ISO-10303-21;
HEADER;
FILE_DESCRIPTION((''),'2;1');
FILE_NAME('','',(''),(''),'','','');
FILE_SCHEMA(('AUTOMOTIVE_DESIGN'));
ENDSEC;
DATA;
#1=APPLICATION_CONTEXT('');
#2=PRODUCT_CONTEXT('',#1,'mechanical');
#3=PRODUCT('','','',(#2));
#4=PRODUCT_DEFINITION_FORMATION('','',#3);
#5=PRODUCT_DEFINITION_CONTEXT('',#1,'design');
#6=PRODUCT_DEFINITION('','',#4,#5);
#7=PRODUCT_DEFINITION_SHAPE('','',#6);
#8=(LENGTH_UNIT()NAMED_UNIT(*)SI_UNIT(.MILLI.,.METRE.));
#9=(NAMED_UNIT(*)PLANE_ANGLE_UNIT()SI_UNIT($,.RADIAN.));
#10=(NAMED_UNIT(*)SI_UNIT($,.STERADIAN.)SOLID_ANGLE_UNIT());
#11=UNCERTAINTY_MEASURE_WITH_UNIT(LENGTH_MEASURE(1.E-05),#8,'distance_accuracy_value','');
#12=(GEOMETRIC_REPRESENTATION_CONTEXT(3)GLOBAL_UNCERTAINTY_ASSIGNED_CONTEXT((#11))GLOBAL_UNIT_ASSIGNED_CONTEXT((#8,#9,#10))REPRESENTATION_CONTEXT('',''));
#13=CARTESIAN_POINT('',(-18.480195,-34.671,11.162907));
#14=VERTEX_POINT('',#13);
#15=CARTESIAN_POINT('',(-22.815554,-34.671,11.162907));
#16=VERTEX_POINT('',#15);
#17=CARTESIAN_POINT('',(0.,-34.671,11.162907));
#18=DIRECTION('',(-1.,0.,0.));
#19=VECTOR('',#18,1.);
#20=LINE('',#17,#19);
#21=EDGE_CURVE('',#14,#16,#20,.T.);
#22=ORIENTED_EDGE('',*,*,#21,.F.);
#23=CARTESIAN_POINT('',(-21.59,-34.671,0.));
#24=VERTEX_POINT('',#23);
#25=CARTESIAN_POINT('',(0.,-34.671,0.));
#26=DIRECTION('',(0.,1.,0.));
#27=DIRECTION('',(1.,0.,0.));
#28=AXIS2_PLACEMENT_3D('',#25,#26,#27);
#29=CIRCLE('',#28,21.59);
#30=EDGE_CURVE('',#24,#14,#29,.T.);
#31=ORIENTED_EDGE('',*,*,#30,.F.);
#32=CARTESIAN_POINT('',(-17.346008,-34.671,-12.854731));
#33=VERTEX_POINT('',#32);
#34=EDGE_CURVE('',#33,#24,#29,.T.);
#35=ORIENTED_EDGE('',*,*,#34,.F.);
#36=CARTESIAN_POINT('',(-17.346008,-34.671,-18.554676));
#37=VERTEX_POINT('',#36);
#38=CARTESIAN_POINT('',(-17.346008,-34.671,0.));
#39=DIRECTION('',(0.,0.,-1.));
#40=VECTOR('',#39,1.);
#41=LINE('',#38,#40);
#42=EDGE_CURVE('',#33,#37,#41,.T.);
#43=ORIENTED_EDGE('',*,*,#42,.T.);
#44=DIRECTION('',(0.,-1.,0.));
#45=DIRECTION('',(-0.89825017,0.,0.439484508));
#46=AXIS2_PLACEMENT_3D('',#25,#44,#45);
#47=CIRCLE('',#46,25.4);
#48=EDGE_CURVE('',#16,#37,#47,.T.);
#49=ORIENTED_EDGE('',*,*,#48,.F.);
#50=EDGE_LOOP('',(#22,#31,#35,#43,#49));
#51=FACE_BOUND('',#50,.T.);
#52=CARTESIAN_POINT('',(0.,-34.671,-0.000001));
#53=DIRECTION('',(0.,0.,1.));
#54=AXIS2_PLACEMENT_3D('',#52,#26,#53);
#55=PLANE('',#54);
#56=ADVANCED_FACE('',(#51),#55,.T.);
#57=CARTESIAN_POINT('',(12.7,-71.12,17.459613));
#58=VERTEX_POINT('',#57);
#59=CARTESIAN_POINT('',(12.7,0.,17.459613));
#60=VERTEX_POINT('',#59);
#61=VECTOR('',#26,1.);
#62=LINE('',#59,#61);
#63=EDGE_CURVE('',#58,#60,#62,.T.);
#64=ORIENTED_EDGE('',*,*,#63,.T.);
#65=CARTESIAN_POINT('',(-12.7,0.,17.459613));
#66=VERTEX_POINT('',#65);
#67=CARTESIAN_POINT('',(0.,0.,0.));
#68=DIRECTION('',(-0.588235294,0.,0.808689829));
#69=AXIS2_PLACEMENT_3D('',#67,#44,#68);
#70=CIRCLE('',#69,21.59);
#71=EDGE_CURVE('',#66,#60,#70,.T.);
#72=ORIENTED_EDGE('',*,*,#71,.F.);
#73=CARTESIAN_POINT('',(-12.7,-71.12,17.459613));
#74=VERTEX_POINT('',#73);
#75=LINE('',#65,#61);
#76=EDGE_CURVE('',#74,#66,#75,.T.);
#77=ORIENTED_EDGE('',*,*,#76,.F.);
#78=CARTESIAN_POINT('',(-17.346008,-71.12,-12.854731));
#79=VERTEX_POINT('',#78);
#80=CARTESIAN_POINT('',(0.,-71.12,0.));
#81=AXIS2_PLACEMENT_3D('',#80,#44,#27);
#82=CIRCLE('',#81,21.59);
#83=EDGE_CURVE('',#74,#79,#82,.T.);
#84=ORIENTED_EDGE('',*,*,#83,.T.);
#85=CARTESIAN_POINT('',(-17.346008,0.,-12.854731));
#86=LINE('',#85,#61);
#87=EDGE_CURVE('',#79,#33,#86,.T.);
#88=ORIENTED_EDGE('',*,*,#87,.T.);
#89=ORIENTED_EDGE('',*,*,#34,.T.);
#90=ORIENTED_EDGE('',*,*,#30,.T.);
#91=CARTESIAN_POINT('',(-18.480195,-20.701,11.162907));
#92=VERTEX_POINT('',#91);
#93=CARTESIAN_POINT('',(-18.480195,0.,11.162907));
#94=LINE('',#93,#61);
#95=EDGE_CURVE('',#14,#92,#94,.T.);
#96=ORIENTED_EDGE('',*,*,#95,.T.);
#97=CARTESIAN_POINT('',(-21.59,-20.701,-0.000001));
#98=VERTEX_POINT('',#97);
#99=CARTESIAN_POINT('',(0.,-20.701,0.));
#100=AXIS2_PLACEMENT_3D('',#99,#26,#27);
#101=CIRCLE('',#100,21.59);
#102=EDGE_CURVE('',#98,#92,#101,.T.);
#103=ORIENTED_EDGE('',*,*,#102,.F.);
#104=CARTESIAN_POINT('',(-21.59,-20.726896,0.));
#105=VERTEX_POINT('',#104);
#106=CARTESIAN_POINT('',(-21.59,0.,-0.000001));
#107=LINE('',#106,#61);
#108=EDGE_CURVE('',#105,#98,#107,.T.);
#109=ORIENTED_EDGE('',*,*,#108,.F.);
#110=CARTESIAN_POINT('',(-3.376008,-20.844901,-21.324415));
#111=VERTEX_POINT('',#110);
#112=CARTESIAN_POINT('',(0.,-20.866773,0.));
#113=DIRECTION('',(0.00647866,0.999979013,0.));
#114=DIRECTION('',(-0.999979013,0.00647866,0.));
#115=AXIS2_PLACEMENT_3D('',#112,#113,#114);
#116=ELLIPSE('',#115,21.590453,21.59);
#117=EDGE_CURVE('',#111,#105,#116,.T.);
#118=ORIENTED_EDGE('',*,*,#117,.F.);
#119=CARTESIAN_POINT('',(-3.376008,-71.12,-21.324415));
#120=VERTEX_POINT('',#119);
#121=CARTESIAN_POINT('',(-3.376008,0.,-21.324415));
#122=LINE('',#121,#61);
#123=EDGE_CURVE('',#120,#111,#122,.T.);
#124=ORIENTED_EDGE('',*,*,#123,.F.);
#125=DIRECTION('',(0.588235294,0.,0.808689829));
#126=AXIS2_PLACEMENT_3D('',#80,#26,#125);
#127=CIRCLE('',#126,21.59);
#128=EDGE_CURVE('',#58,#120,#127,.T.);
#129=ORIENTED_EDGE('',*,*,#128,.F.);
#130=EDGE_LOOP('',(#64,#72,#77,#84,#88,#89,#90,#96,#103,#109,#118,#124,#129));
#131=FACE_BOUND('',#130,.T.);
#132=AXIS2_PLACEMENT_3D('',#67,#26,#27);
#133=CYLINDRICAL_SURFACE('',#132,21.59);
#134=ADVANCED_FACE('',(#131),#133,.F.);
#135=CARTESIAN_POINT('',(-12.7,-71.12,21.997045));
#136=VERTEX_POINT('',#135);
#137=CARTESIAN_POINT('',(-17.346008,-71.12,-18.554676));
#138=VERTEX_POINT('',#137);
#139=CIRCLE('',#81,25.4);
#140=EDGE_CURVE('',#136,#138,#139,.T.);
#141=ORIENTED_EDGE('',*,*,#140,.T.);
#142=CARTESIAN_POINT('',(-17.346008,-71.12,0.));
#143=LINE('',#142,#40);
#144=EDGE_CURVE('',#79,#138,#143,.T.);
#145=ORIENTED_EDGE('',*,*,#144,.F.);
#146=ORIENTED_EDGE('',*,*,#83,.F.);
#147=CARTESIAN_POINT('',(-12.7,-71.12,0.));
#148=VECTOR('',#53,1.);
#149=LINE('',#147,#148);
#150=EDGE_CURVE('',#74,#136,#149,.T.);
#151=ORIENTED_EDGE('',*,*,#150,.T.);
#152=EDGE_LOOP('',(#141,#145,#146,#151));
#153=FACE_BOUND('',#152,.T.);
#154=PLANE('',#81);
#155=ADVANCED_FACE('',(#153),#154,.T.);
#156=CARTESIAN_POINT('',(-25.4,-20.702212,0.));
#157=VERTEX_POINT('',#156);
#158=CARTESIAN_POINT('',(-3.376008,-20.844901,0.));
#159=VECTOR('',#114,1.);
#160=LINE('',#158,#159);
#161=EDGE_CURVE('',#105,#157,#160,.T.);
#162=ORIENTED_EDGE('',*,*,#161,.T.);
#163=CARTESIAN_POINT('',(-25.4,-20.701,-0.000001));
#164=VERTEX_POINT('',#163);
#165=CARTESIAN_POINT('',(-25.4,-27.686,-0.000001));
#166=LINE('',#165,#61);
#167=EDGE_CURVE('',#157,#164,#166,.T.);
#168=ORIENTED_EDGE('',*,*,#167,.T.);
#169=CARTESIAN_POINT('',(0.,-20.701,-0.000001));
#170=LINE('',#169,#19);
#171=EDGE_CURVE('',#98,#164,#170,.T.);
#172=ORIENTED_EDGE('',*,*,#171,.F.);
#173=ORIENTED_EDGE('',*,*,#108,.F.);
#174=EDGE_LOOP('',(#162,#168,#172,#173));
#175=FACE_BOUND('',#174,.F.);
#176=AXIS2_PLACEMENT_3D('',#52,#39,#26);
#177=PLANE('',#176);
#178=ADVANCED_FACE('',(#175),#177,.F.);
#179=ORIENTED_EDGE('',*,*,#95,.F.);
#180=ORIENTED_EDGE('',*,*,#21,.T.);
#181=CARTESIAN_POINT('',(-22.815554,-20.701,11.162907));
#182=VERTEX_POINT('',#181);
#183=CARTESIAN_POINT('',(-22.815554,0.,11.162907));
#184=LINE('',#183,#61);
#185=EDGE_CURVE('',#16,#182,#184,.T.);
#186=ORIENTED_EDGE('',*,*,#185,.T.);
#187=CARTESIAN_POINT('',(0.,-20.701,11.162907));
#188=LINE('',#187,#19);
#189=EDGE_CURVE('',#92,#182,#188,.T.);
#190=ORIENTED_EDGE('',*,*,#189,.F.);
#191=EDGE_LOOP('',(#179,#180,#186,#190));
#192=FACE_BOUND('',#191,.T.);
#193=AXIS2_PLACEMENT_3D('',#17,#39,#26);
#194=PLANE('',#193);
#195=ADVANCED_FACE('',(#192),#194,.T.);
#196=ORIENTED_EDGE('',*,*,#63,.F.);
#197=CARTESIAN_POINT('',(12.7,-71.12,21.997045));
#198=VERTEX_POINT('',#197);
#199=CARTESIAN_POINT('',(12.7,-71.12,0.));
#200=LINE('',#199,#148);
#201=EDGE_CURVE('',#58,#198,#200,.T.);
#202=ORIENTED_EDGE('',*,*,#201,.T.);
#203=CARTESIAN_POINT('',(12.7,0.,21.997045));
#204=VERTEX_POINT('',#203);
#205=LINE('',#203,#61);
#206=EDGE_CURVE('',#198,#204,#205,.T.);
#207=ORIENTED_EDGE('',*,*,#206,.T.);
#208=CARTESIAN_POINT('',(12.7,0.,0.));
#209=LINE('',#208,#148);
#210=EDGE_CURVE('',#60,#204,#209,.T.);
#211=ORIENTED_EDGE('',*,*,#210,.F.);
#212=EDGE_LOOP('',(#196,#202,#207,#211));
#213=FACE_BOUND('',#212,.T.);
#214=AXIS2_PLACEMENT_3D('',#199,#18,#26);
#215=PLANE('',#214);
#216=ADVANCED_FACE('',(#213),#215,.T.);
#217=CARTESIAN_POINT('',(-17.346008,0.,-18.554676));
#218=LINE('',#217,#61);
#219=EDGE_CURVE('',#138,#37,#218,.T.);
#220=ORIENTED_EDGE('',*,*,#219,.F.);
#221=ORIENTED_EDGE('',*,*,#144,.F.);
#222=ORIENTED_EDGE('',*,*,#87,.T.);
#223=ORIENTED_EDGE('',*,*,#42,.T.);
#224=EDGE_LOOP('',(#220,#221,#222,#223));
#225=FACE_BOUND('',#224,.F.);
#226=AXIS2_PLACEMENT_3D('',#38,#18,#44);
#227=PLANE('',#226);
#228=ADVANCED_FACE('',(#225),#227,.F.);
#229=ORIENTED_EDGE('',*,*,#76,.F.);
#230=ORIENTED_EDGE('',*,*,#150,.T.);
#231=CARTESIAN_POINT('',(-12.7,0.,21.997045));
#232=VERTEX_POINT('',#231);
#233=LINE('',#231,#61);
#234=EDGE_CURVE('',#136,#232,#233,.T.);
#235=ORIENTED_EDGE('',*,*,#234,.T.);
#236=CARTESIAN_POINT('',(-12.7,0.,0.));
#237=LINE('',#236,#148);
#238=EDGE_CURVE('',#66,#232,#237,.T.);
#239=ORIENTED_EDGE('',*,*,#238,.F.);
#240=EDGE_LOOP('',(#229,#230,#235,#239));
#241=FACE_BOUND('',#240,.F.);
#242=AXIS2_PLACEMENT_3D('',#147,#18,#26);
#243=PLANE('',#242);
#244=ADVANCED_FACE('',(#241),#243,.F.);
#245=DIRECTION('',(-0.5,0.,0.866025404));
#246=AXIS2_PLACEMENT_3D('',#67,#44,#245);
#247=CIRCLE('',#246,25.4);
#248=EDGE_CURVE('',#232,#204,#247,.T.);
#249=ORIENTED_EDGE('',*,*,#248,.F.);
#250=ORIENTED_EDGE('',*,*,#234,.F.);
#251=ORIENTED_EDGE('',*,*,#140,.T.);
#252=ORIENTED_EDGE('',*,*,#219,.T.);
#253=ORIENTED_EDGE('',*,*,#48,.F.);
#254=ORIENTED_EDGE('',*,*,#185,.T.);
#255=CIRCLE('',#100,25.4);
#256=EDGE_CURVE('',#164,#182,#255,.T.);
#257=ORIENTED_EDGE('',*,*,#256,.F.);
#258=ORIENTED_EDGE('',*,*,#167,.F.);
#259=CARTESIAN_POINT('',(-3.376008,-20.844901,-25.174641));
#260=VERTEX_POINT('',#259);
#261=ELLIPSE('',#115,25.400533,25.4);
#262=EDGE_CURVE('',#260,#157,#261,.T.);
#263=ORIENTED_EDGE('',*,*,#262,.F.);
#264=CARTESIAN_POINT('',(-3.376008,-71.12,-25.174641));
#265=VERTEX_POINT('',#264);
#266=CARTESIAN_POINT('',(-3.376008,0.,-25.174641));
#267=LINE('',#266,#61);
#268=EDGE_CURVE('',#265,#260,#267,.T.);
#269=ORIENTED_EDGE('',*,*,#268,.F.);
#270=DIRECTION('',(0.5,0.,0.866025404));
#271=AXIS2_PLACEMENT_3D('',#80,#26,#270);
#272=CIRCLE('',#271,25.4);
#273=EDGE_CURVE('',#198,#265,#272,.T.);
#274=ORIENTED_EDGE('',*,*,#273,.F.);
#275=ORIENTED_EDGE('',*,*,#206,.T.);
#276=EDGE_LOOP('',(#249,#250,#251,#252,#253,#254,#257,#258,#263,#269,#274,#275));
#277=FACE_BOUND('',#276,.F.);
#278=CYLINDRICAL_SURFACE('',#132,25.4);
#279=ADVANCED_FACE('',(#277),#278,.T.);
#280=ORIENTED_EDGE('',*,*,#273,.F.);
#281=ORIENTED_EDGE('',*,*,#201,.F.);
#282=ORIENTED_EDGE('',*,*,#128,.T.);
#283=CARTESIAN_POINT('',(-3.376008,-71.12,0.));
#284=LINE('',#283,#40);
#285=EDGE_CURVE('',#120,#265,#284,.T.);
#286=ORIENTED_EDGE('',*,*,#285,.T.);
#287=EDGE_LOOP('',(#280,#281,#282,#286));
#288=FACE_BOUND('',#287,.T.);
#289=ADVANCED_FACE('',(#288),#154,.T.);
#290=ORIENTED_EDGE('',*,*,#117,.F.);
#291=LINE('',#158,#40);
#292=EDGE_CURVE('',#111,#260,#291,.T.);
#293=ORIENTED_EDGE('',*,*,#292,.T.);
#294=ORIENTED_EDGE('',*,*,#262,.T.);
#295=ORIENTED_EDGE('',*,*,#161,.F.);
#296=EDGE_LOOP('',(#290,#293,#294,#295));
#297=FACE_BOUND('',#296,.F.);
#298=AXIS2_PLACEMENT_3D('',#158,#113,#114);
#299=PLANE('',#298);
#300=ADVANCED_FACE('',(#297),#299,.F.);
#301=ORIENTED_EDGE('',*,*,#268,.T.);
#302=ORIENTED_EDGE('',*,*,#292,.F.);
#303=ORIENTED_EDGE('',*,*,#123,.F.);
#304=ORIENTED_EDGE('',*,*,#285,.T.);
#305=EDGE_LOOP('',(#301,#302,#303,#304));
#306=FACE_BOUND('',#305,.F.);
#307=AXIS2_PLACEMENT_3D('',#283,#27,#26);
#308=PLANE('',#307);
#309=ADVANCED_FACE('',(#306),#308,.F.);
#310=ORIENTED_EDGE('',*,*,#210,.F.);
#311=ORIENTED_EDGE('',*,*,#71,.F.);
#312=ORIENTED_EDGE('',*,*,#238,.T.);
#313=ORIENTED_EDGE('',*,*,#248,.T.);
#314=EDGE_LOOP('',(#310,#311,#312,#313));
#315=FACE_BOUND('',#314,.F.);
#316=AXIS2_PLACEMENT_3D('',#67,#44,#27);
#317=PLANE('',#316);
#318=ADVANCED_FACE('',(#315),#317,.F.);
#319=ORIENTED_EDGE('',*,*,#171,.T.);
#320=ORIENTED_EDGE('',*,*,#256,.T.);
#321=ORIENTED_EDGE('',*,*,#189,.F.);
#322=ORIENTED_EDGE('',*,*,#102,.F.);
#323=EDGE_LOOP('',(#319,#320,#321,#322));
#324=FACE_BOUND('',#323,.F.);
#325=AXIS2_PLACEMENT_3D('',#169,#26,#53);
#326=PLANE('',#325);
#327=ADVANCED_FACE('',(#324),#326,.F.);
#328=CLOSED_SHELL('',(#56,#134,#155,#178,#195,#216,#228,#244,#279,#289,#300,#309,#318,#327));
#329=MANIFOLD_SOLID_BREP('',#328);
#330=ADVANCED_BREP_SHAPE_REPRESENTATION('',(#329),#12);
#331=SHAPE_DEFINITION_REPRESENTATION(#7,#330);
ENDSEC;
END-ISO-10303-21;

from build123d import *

# Parameters (mm, degrees)
F0_R     = 25.4
F0_R_2   = 21.59
F1_DEPTH = 71.12
F3_DEPTH = 25.4
F4_W     = 13.97
F4_H     = 11.162907
F5_DEPTH = 25.4
F6_W     = 25.4
F6_H     = 71.12
F7_DEPTH = 25.4


with BuildPart() as f1:
    # F0 (on Front) → F1 (new body)
    with BuildSketch(Plane.XZ):
        Circle(F0_R)
        Circle(F0_R_2, mode=Mode.SUBTRACT)
    extrude(amount=F1_DEPTH)

    # F2 (on Top) → F3 (cut)
    with BuildSketch(Plane.XY):
        Polygon((-17.346008, -34.671), (-17.346008, -71.12), (-3.376008, -71.12), (-3.376008, -34.671), (-3.376008, -20.844901), (-25.586616, -20.701003), (-25.596492, -34.671), align=None)
    extrude(amount=-F3_DEPTH, mode=Mode.SUBTRACT)

    # F4 (on Right) → F5 (cut)
    with BuildSketch(Plane.YZ):
        with Locations((-27.686, 5.581453)):
            Rectangle(F4_W, F4_H)
    extrude(amount=-F5_DEPTH, mode=Mode.SUBTRACT)

    # F6 (on Top) → F7 (cut)
    with BuildSketch(Plane.XY):
        with Locations((0, -35.56)):
            Rectangle(F6_W, F6_H)
    extrude(amount=F7_DEPTH, mode=Mode.SUBTRACT)


solid = f1.part
